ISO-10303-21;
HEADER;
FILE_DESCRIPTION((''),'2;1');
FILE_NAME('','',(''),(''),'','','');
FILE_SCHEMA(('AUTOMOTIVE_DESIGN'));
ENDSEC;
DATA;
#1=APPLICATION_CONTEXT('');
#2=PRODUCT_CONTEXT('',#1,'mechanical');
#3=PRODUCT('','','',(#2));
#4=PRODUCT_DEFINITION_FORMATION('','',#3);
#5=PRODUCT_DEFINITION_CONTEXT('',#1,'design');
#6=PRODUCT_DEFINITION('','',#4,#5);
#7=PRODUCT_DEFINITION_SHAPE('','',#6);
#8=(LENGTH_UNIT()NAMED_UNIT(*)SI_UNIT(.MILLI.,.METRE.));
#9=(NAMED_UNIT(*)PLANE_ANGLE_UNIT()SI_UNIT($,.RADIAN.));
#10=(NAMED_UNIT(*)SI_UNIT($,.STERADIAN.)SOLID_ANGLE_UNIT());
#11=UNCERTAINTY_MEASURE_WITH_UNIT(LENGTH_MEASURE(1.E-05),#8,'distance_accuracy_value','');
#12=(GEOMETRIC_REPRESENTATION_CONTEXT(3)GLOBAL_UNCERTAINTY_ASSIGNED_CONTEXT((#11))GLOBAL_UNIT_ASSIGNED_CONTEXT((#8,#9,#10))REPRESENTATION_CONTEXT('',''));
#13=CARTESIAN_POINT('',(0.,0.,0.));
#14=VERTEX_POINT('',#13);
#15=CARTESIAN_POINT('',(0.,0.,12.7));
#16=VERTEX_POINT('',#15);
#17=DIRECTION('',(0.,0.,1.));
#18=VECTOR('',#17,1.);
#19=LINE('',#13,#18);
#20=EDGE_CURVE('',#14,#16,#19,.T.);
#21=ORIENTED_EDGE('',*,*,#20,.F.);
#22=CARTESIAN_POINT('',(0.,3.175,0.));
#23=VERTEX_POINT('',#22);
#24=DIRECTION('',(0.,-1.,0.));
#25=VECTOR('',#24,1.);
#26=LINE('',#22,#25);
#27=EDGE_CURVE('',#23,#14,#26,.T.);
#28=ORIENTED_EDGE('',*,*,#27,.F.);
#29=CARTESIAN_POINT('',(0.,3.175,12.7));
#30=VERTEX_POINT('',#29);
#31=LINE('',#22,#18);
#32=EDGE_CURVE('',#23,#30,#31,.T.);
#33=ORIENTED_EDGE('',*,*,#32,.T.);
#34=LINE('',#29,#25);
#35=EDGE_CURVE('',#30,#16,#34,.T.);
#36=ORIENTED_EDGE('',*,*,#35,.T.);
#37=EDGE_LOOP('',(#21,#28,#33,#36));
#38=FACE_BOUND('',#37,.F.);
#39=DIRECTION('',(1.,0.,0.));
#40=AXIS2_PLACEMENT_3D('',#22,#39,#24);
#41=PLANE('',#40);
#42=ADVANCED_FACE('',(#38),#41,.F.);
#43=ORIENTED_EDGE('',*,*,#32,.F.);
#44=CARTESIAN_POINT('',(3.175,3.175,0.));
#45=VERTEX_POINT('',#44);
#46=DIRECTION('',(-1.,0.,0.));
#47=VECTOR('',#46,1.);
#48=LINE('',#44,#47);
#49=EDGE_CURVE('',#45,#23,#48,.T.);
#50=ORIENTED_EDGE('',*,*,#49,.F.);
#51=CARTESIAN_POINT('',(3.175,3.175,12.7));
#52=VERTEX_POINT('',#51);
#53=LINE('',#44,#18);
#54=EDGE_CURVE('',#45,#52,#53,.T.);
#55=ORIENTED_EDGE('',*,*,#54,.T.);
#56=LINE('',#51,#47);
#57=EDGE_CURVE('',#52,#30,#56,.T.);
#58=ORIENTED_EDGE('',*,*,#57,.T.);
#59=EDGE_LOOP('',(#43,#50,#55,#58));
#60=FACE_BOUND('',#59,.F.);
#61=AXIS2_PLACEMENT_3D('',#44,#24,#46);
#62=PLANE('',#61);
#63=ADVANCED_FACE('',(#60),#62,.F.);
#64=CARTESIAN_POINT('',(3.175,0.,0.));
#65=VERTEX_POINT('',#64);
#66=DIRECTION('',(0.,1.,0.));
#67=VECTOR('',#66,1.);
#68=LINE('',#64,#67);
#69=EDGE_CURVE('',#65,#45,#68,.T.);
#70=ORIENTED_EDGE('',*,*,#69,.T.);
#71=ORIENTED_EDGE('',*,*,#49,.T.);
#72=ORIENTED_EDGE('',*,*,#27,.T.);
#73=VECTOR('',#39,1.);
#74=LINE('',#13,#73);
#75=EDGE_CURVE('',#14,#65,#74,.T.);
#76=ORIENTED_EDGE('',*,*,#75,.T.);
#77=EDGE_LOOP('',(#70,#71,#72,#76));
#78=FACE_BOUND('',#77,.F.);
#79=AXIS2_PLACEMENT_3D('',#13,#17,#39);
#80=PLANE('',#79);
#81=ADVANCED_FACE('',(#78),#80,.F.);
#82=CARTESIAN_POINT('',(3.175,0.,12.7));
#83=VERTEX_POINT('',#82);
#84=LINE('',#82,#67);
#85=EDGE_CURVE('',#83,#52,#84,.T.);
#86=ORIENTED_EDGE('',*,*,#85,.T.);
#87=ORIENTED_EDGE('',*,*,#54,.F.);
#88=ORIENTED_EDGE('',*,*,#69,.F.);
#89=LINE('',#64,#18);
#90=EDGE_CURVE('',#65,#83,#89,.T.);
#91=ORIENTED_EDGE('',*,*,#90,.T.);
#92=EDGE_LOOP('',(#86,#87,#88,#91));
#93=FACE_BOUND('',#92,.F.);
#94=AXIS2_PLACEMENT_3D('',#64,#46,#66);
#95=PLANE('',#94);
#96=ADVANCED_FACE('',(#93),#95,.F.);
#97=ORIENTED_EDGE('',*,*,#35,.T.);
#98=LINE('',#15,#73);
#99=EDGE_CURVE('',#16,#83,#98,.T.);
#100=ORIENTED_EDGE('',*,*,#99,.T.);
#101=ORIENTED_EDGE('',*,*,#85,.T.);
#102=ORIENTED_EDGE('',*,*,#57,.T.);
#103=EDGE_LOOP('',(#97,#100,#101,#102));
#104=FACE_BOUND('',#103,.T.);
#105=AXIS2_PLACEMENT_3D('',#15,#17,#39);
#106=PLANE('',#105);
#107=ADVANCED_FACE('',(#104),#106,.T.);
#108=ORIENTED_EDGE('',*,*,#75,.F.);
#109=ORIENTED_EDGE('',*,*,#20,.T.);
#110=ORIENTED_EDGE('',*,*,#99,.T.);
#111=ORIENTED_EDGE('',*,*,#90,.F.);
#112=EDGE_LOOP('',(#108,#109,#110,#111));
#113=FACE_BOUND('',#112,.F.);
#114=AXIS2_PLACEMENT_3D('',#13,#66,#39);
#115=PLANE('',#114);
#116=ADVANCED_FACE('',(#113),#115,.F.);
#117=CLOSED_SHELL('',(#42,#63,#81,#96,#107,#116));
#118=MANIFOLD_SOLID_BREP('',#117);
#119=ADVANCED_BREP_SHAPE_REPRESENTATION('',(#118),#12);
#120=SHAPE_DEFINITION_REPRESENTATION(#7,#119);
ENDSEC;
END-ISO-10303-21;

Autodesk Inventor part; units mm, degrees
ref_plane "YZ Plane" through (0, 0, 0) normal (1, 0, 0) x (0, 1, 0)
ref_plane "XZ Plane" through (0, 0, 0) normal (0, 1, 0) x (-1, 0, 0)
ref_plane "XY Plane" through (0, 0, 0) normal (0, 0, 1) x (1, 0, 0)
sketch "Sketch1" plane through (0, 0, 0) normal (0, 0, 1) x (1, 0, 0)
  line L0 (0, 0) -> (3.175, 0)
  line L1 (3.175, 0) -> (3.175, 3.175)
  line L2 (3.175, 3.175) -> (0, 3.175)
  line L3 (0, 3.175) -> (0, 0)
  dimension "d0" = 3.175
  dimension "d1" = 3.175
extrude "Extrusion1" add sketch "Sketch1" along normal blind 12.7
properties part number "capballgripperbar"
